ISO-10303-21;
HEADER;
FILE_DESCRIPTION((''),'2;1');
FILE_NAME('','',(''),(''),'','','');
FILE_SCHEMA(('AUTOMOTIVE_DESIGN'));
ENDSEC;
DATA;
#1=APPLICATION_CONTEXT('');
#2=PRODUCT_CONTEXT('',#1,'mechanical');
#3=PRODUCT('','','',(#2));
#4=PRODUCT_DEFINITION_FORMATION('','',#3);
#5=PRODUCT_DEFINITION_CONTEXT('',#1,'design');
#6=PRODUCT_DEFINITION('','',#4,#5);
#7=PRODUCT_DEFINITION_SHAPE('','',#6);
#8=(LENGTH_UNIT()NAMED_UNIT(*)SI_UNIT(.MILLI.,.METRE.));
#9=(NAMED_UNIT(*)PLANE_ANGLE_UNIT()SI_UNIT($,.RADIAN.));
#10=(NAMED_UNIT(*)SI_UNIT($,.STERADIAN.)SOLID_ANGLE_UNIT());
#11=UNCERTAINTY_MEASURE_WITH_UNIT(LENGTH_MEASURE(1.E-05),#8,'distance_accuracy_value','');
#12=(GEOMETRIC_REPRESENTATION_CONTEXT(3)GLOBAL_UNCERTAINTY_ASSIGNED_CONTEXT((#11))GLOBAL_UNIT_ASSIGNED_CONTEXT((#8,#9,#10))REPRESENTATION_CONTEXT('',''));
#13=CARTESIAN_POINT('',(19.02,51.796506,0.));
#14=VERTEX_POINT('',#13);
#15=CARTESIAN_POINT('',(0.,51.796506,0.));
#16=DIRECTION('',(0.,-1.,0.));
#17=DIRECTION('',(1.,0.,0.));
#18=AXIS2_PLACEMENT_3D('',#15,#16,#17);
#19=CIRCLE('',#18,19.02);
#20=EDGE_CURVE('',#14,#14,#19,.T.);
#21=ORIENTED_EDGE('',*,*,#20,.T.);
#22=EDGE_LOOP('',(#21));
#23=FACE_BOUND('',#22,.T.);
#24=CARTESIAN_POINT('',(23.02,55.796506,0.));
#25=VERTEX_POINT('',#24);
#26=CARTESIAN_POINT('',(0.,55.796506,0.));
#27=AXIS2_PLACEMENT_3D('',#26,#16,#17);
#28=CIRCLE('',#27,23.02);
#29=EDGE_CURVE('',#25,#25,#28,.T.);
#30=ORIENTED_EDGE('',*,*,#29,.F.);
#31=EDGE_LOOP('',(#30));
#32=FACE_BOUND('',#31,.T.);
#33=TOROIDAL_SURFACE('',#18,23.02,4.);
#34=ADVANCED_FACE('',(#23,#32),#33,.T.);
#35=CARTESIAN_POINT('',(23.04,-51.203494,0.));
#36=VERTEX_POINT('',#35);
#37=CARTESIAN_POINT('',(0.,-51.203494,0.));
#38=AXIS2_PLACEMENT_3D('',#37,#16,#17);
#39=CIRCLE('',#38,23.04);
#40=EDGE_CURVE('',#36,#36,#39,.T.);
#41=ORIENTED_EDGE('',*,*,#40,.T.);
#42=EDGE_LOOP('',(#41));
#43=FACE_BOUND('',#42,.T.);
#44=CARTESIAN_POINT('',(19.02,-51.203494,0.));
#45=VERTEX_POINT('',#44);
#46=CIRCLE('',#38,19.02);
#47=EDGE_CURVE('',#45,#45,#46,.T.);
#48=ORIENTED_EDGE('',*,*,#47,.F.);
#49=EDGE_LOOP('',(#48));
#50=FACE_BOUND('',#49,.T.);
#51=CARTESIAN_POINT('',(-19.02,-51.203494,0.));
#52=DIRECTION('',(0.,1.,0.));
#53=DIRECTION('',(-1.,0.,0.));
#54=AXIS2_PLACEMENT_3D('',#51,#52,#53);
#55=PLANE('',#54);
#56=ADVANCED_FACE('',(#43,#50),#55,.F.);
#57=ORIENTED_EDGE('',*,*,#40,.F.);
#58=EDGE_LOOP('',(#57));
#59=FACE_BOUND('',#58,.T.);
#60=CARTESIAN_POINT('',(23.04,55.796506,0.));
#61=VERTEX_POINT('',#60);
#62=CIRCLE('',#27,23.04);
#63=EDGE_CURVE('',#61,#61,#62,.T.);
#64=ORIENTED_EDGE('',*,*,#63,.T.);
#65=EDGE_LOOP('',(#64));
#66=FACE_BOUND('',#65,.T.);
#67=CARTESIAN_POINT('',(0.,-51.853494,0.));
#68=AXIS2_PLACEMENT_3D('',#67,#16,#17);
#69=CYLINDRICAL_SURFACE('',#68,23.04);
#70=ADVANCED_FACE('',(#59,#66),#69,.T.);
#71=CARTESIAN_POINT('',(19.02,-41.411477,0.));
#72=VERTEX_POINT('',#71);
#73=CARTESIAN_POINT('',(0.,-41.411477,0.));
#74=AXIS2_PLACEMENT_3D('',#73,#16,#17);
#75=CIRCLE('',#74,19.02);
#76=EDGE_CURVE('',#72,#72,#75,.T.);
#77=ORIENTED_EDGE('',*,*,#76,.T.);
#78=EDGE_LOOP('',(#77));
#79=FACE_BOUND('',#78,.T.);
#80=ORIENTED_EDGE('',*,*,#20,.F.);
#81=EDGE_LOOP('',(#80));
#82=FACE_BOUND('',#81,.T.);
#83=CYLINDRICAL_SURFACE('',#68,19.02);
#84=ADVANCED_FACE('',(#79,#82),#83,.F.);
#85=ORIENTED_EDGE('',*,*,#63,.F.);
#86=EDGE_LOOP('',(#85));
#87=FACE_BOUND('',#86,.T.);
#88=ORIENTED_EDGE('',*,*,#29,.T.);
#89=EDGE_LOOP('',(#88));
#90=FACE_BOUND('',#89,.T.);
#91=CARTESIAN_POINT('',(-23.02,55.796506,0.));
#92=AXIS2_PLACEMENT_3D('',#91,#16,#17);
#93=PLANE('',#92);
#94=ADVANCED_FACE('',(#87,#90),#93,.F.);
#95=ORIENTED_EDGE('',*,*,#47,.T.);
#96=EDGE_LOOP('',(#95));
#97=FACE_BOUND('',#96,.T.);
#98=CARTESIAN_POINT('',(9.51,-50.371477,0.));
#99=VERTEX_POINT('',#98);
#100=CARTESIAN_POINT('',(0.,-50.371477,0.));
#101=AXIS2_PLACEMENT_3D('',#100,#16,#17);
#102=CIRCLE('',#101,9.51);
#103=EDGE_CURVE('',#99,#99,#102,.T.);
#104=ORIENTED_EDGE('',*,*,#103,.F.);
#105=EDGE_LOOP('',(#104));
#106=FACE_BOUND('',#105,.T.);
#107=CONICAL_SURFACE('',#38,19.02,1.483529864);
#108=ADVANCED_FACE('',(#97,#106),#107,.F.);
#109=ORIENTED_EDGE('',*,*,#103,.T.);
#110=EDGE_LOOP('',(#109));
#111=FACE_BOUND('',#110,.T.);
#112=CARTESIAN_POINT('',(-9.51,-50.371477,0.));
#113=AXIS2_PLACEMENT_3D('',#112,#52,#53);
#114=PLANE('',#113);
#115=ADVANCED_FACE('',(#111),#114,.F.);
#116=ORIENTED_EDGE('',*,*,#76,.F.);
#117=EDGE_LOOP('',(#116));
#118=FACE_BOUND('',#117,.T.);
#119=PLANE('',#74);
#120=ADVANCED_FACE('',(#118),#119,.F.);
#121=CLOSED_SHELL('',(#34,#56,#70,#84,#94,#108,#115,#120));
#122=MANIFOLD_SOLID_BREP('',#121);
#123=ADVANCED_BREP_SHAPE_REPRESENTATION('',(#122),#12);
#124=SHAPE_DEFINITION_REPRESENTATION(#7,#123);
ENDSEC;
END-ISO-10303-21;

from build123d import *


with BuildPart() as part:
    # Szkic1 → Obrót1 (revolve)
    with BuildSketch(Plane.XY, mode=Mode.PRIVATE) as obr_t1_sk:
        with BuildLine():
            Line((-19.02, -51.203493976), (-22.04, -51.203493976))
            Line((-22.04, -51.203493976), (-23.04, -51.203493976))
            Line((-23.04, -51.203493976), (-23.04, -50.203493976))
            Line((-23.04, -50.203493976), (-23.04, 55.796506024))
            Line((-23.04, 55.796506024), (-23.02, 55.796506024))
            ThreePointArc((-23.02, 55.796506024), (-20.191572875, 54.624933149), (-19.02, 51.796506024))
            Line((-19.02, 51.796506024), (-19.02, -41.411476786))
            Line((-19.02, -41.411476786), (0, -41.411476786))
            Line((0, -41.411476786), (0, -50.371476786))
            Line((0, -50.371476786), (-9.51, -50.371476786))
            Line((-9.51, -50.371476786), (-19.02, -51.203493976))
        make_face()
    revolve(obr_t1_sk.sketch.rotate(Axis((0, -51.853493976, 0), (0, 1, 0)), 180), axis=Axis((0, -51.853493976, 0), (0, 1, 0)))


solid = part.part
